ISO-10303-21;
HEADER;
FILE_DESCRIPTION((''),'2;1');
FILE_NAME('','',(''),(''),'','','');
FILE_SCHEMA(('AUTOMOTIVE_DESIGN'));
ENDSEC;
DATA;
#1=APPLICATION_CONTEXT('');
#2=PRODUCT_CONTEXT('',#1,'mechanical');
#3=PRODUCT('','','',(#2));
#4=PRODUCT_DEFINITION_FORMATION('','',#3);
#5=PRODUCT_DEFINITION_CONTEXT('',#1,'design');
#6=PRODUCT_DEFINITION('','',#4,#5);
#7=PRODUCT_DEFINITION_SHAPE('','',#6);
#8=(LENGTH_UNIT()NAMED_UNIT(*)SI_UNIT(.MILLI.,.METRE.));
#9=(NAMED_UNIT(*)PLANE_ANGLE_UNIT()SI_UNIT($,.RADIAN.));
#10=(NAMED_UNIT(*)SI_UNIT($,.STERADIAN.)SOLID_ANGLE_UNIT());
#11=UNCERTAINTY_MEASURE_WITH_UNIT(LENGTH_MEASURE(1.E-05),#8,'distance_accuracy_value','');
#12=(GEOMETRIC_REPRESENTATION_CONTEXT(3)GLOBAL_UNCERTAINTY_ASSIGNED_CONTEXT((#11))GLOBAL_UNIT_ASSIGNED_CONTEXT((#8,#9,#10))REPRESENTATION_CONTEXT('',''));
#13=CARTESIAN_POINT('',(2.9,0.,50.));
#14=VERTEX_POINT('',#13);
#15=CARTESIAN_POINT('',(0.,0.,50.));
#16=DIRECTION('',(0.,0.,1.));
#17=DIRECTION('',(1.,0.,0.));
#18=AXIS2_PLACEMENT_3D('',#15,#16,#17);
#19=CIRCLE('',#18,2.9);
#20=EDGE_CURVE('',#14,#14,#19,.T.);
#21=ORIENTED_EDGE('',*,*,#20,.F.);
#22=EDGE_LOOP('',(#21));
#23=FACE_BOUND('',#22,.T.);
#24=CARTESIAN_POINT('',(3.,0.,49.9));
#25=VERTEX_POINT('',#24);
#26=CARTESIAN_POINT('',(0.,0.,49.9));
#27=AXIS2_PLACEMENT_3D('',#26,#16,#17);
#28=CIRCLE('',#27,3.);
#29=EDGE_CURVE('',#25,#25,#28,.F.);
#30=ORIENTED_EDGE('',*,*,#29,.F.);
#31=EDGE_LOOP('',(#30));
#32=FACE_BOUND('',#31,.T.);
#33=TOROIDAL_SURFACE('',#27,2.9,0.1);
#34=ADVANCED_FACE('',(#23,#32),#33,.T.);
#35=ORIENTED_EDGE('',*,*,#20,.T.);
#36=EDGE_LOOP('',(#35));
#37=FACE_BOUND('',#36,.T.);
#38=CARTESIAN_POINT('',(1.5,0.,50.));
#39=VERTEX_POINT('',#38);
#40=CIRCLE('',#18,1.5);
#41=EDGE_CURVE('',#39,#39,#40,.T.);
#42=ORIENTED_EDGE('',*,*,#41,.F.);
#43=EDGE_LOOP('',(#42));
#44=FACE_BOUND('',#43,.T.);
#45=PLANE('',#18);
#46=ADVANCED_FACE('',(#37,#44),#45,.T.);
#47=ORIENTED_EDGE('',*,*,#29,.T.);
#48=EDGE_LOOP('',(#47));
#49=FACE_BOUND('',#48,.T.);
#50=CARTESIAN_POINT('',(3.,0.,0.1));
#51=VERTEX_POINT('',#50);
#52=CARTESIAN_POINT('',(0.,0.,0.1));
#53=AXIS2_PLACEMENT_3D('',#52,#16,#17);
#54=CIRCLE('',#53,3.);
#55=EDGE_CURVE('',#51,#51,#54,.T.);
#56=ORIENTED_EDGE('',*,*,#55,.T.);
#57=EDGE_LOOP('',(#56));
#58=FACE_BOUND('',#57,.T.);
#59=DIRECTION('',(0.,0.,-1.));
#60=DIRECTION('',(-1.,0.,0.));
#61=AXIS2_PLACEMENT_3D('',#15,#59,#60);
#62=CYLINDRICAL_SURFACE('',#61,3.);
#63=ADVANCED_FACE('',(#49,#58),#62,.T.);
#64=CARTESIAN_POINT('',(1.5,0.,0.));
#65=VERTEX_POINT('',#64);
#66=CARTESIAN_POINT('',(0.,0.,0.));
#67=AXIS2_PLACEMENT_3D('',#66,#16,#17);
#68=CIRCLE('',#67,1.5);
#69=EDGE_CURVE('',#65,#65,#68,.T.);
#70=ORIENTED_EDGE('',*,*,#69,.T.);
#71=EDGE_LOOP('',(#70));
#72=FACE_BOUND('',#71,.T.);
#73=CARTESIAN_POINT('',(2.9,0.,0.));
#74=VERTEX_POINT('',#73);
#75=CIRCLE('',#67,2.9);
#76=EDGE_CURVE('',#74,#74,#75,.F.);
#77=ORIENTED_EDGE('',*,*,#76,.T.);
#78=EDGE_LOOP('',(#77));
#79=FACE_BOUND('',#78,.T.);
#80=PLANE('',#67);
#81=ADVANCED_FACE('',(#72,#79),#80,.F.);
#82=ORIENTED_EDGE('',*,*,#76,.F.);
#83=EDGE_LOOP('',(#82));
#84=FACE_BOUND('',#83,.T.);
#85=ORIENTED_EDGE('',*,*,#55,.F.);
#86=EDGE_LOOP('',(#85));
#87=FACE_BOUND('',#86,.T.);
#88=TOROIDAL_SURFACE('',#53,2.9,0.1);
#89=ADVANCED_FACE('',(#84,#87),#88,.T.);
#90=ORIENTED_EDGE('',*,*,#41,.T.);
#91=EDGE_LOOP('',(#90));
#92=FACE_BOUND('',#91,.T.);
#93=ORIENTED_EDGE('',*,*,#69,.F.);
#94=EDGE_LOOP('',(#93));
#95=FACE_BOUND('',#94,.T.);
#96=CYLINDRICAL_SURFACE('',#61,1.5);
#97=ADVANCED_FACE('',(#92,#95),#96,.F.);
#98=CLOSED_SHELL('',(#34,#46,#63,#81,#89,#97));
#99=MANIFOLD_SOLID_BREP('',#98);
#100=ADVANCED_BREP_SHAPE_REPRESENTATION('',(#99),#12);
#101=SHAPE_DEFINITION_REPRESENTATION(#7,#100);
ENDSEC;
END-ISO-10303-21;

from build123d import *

# Parameters (mm, degrees)
SKETCH_1_R      = 3
SKETCH_1_R_2    = 1.5
EXTRUDE_1_DEPTH = 50
FILLET_1_R      = 0.1


with BuildPart() as part:
    # ｽｹｯﾁ1 → ﾎﾞｽ - 押し出し1 (new body)
    with BuildSketch(Plane.XY):
        Circle(SKETCH_1_R)
        Circle(SKETCH_1_R_2, mode=Mode.SUBTRACT)
    extrude(amount=EXTRUDE_1_DEPTH)

    # ﾌｨﾚｯﾄ1
    fillet_1_edges = [part.edges().sort_by_distance(p)[0] for p in [
        (-3, 0, 0),
        (-3, 0, 50),
    ]]
    fillet(fillet_1_edges, radius=FILLET_1_R)


solid = part.part
